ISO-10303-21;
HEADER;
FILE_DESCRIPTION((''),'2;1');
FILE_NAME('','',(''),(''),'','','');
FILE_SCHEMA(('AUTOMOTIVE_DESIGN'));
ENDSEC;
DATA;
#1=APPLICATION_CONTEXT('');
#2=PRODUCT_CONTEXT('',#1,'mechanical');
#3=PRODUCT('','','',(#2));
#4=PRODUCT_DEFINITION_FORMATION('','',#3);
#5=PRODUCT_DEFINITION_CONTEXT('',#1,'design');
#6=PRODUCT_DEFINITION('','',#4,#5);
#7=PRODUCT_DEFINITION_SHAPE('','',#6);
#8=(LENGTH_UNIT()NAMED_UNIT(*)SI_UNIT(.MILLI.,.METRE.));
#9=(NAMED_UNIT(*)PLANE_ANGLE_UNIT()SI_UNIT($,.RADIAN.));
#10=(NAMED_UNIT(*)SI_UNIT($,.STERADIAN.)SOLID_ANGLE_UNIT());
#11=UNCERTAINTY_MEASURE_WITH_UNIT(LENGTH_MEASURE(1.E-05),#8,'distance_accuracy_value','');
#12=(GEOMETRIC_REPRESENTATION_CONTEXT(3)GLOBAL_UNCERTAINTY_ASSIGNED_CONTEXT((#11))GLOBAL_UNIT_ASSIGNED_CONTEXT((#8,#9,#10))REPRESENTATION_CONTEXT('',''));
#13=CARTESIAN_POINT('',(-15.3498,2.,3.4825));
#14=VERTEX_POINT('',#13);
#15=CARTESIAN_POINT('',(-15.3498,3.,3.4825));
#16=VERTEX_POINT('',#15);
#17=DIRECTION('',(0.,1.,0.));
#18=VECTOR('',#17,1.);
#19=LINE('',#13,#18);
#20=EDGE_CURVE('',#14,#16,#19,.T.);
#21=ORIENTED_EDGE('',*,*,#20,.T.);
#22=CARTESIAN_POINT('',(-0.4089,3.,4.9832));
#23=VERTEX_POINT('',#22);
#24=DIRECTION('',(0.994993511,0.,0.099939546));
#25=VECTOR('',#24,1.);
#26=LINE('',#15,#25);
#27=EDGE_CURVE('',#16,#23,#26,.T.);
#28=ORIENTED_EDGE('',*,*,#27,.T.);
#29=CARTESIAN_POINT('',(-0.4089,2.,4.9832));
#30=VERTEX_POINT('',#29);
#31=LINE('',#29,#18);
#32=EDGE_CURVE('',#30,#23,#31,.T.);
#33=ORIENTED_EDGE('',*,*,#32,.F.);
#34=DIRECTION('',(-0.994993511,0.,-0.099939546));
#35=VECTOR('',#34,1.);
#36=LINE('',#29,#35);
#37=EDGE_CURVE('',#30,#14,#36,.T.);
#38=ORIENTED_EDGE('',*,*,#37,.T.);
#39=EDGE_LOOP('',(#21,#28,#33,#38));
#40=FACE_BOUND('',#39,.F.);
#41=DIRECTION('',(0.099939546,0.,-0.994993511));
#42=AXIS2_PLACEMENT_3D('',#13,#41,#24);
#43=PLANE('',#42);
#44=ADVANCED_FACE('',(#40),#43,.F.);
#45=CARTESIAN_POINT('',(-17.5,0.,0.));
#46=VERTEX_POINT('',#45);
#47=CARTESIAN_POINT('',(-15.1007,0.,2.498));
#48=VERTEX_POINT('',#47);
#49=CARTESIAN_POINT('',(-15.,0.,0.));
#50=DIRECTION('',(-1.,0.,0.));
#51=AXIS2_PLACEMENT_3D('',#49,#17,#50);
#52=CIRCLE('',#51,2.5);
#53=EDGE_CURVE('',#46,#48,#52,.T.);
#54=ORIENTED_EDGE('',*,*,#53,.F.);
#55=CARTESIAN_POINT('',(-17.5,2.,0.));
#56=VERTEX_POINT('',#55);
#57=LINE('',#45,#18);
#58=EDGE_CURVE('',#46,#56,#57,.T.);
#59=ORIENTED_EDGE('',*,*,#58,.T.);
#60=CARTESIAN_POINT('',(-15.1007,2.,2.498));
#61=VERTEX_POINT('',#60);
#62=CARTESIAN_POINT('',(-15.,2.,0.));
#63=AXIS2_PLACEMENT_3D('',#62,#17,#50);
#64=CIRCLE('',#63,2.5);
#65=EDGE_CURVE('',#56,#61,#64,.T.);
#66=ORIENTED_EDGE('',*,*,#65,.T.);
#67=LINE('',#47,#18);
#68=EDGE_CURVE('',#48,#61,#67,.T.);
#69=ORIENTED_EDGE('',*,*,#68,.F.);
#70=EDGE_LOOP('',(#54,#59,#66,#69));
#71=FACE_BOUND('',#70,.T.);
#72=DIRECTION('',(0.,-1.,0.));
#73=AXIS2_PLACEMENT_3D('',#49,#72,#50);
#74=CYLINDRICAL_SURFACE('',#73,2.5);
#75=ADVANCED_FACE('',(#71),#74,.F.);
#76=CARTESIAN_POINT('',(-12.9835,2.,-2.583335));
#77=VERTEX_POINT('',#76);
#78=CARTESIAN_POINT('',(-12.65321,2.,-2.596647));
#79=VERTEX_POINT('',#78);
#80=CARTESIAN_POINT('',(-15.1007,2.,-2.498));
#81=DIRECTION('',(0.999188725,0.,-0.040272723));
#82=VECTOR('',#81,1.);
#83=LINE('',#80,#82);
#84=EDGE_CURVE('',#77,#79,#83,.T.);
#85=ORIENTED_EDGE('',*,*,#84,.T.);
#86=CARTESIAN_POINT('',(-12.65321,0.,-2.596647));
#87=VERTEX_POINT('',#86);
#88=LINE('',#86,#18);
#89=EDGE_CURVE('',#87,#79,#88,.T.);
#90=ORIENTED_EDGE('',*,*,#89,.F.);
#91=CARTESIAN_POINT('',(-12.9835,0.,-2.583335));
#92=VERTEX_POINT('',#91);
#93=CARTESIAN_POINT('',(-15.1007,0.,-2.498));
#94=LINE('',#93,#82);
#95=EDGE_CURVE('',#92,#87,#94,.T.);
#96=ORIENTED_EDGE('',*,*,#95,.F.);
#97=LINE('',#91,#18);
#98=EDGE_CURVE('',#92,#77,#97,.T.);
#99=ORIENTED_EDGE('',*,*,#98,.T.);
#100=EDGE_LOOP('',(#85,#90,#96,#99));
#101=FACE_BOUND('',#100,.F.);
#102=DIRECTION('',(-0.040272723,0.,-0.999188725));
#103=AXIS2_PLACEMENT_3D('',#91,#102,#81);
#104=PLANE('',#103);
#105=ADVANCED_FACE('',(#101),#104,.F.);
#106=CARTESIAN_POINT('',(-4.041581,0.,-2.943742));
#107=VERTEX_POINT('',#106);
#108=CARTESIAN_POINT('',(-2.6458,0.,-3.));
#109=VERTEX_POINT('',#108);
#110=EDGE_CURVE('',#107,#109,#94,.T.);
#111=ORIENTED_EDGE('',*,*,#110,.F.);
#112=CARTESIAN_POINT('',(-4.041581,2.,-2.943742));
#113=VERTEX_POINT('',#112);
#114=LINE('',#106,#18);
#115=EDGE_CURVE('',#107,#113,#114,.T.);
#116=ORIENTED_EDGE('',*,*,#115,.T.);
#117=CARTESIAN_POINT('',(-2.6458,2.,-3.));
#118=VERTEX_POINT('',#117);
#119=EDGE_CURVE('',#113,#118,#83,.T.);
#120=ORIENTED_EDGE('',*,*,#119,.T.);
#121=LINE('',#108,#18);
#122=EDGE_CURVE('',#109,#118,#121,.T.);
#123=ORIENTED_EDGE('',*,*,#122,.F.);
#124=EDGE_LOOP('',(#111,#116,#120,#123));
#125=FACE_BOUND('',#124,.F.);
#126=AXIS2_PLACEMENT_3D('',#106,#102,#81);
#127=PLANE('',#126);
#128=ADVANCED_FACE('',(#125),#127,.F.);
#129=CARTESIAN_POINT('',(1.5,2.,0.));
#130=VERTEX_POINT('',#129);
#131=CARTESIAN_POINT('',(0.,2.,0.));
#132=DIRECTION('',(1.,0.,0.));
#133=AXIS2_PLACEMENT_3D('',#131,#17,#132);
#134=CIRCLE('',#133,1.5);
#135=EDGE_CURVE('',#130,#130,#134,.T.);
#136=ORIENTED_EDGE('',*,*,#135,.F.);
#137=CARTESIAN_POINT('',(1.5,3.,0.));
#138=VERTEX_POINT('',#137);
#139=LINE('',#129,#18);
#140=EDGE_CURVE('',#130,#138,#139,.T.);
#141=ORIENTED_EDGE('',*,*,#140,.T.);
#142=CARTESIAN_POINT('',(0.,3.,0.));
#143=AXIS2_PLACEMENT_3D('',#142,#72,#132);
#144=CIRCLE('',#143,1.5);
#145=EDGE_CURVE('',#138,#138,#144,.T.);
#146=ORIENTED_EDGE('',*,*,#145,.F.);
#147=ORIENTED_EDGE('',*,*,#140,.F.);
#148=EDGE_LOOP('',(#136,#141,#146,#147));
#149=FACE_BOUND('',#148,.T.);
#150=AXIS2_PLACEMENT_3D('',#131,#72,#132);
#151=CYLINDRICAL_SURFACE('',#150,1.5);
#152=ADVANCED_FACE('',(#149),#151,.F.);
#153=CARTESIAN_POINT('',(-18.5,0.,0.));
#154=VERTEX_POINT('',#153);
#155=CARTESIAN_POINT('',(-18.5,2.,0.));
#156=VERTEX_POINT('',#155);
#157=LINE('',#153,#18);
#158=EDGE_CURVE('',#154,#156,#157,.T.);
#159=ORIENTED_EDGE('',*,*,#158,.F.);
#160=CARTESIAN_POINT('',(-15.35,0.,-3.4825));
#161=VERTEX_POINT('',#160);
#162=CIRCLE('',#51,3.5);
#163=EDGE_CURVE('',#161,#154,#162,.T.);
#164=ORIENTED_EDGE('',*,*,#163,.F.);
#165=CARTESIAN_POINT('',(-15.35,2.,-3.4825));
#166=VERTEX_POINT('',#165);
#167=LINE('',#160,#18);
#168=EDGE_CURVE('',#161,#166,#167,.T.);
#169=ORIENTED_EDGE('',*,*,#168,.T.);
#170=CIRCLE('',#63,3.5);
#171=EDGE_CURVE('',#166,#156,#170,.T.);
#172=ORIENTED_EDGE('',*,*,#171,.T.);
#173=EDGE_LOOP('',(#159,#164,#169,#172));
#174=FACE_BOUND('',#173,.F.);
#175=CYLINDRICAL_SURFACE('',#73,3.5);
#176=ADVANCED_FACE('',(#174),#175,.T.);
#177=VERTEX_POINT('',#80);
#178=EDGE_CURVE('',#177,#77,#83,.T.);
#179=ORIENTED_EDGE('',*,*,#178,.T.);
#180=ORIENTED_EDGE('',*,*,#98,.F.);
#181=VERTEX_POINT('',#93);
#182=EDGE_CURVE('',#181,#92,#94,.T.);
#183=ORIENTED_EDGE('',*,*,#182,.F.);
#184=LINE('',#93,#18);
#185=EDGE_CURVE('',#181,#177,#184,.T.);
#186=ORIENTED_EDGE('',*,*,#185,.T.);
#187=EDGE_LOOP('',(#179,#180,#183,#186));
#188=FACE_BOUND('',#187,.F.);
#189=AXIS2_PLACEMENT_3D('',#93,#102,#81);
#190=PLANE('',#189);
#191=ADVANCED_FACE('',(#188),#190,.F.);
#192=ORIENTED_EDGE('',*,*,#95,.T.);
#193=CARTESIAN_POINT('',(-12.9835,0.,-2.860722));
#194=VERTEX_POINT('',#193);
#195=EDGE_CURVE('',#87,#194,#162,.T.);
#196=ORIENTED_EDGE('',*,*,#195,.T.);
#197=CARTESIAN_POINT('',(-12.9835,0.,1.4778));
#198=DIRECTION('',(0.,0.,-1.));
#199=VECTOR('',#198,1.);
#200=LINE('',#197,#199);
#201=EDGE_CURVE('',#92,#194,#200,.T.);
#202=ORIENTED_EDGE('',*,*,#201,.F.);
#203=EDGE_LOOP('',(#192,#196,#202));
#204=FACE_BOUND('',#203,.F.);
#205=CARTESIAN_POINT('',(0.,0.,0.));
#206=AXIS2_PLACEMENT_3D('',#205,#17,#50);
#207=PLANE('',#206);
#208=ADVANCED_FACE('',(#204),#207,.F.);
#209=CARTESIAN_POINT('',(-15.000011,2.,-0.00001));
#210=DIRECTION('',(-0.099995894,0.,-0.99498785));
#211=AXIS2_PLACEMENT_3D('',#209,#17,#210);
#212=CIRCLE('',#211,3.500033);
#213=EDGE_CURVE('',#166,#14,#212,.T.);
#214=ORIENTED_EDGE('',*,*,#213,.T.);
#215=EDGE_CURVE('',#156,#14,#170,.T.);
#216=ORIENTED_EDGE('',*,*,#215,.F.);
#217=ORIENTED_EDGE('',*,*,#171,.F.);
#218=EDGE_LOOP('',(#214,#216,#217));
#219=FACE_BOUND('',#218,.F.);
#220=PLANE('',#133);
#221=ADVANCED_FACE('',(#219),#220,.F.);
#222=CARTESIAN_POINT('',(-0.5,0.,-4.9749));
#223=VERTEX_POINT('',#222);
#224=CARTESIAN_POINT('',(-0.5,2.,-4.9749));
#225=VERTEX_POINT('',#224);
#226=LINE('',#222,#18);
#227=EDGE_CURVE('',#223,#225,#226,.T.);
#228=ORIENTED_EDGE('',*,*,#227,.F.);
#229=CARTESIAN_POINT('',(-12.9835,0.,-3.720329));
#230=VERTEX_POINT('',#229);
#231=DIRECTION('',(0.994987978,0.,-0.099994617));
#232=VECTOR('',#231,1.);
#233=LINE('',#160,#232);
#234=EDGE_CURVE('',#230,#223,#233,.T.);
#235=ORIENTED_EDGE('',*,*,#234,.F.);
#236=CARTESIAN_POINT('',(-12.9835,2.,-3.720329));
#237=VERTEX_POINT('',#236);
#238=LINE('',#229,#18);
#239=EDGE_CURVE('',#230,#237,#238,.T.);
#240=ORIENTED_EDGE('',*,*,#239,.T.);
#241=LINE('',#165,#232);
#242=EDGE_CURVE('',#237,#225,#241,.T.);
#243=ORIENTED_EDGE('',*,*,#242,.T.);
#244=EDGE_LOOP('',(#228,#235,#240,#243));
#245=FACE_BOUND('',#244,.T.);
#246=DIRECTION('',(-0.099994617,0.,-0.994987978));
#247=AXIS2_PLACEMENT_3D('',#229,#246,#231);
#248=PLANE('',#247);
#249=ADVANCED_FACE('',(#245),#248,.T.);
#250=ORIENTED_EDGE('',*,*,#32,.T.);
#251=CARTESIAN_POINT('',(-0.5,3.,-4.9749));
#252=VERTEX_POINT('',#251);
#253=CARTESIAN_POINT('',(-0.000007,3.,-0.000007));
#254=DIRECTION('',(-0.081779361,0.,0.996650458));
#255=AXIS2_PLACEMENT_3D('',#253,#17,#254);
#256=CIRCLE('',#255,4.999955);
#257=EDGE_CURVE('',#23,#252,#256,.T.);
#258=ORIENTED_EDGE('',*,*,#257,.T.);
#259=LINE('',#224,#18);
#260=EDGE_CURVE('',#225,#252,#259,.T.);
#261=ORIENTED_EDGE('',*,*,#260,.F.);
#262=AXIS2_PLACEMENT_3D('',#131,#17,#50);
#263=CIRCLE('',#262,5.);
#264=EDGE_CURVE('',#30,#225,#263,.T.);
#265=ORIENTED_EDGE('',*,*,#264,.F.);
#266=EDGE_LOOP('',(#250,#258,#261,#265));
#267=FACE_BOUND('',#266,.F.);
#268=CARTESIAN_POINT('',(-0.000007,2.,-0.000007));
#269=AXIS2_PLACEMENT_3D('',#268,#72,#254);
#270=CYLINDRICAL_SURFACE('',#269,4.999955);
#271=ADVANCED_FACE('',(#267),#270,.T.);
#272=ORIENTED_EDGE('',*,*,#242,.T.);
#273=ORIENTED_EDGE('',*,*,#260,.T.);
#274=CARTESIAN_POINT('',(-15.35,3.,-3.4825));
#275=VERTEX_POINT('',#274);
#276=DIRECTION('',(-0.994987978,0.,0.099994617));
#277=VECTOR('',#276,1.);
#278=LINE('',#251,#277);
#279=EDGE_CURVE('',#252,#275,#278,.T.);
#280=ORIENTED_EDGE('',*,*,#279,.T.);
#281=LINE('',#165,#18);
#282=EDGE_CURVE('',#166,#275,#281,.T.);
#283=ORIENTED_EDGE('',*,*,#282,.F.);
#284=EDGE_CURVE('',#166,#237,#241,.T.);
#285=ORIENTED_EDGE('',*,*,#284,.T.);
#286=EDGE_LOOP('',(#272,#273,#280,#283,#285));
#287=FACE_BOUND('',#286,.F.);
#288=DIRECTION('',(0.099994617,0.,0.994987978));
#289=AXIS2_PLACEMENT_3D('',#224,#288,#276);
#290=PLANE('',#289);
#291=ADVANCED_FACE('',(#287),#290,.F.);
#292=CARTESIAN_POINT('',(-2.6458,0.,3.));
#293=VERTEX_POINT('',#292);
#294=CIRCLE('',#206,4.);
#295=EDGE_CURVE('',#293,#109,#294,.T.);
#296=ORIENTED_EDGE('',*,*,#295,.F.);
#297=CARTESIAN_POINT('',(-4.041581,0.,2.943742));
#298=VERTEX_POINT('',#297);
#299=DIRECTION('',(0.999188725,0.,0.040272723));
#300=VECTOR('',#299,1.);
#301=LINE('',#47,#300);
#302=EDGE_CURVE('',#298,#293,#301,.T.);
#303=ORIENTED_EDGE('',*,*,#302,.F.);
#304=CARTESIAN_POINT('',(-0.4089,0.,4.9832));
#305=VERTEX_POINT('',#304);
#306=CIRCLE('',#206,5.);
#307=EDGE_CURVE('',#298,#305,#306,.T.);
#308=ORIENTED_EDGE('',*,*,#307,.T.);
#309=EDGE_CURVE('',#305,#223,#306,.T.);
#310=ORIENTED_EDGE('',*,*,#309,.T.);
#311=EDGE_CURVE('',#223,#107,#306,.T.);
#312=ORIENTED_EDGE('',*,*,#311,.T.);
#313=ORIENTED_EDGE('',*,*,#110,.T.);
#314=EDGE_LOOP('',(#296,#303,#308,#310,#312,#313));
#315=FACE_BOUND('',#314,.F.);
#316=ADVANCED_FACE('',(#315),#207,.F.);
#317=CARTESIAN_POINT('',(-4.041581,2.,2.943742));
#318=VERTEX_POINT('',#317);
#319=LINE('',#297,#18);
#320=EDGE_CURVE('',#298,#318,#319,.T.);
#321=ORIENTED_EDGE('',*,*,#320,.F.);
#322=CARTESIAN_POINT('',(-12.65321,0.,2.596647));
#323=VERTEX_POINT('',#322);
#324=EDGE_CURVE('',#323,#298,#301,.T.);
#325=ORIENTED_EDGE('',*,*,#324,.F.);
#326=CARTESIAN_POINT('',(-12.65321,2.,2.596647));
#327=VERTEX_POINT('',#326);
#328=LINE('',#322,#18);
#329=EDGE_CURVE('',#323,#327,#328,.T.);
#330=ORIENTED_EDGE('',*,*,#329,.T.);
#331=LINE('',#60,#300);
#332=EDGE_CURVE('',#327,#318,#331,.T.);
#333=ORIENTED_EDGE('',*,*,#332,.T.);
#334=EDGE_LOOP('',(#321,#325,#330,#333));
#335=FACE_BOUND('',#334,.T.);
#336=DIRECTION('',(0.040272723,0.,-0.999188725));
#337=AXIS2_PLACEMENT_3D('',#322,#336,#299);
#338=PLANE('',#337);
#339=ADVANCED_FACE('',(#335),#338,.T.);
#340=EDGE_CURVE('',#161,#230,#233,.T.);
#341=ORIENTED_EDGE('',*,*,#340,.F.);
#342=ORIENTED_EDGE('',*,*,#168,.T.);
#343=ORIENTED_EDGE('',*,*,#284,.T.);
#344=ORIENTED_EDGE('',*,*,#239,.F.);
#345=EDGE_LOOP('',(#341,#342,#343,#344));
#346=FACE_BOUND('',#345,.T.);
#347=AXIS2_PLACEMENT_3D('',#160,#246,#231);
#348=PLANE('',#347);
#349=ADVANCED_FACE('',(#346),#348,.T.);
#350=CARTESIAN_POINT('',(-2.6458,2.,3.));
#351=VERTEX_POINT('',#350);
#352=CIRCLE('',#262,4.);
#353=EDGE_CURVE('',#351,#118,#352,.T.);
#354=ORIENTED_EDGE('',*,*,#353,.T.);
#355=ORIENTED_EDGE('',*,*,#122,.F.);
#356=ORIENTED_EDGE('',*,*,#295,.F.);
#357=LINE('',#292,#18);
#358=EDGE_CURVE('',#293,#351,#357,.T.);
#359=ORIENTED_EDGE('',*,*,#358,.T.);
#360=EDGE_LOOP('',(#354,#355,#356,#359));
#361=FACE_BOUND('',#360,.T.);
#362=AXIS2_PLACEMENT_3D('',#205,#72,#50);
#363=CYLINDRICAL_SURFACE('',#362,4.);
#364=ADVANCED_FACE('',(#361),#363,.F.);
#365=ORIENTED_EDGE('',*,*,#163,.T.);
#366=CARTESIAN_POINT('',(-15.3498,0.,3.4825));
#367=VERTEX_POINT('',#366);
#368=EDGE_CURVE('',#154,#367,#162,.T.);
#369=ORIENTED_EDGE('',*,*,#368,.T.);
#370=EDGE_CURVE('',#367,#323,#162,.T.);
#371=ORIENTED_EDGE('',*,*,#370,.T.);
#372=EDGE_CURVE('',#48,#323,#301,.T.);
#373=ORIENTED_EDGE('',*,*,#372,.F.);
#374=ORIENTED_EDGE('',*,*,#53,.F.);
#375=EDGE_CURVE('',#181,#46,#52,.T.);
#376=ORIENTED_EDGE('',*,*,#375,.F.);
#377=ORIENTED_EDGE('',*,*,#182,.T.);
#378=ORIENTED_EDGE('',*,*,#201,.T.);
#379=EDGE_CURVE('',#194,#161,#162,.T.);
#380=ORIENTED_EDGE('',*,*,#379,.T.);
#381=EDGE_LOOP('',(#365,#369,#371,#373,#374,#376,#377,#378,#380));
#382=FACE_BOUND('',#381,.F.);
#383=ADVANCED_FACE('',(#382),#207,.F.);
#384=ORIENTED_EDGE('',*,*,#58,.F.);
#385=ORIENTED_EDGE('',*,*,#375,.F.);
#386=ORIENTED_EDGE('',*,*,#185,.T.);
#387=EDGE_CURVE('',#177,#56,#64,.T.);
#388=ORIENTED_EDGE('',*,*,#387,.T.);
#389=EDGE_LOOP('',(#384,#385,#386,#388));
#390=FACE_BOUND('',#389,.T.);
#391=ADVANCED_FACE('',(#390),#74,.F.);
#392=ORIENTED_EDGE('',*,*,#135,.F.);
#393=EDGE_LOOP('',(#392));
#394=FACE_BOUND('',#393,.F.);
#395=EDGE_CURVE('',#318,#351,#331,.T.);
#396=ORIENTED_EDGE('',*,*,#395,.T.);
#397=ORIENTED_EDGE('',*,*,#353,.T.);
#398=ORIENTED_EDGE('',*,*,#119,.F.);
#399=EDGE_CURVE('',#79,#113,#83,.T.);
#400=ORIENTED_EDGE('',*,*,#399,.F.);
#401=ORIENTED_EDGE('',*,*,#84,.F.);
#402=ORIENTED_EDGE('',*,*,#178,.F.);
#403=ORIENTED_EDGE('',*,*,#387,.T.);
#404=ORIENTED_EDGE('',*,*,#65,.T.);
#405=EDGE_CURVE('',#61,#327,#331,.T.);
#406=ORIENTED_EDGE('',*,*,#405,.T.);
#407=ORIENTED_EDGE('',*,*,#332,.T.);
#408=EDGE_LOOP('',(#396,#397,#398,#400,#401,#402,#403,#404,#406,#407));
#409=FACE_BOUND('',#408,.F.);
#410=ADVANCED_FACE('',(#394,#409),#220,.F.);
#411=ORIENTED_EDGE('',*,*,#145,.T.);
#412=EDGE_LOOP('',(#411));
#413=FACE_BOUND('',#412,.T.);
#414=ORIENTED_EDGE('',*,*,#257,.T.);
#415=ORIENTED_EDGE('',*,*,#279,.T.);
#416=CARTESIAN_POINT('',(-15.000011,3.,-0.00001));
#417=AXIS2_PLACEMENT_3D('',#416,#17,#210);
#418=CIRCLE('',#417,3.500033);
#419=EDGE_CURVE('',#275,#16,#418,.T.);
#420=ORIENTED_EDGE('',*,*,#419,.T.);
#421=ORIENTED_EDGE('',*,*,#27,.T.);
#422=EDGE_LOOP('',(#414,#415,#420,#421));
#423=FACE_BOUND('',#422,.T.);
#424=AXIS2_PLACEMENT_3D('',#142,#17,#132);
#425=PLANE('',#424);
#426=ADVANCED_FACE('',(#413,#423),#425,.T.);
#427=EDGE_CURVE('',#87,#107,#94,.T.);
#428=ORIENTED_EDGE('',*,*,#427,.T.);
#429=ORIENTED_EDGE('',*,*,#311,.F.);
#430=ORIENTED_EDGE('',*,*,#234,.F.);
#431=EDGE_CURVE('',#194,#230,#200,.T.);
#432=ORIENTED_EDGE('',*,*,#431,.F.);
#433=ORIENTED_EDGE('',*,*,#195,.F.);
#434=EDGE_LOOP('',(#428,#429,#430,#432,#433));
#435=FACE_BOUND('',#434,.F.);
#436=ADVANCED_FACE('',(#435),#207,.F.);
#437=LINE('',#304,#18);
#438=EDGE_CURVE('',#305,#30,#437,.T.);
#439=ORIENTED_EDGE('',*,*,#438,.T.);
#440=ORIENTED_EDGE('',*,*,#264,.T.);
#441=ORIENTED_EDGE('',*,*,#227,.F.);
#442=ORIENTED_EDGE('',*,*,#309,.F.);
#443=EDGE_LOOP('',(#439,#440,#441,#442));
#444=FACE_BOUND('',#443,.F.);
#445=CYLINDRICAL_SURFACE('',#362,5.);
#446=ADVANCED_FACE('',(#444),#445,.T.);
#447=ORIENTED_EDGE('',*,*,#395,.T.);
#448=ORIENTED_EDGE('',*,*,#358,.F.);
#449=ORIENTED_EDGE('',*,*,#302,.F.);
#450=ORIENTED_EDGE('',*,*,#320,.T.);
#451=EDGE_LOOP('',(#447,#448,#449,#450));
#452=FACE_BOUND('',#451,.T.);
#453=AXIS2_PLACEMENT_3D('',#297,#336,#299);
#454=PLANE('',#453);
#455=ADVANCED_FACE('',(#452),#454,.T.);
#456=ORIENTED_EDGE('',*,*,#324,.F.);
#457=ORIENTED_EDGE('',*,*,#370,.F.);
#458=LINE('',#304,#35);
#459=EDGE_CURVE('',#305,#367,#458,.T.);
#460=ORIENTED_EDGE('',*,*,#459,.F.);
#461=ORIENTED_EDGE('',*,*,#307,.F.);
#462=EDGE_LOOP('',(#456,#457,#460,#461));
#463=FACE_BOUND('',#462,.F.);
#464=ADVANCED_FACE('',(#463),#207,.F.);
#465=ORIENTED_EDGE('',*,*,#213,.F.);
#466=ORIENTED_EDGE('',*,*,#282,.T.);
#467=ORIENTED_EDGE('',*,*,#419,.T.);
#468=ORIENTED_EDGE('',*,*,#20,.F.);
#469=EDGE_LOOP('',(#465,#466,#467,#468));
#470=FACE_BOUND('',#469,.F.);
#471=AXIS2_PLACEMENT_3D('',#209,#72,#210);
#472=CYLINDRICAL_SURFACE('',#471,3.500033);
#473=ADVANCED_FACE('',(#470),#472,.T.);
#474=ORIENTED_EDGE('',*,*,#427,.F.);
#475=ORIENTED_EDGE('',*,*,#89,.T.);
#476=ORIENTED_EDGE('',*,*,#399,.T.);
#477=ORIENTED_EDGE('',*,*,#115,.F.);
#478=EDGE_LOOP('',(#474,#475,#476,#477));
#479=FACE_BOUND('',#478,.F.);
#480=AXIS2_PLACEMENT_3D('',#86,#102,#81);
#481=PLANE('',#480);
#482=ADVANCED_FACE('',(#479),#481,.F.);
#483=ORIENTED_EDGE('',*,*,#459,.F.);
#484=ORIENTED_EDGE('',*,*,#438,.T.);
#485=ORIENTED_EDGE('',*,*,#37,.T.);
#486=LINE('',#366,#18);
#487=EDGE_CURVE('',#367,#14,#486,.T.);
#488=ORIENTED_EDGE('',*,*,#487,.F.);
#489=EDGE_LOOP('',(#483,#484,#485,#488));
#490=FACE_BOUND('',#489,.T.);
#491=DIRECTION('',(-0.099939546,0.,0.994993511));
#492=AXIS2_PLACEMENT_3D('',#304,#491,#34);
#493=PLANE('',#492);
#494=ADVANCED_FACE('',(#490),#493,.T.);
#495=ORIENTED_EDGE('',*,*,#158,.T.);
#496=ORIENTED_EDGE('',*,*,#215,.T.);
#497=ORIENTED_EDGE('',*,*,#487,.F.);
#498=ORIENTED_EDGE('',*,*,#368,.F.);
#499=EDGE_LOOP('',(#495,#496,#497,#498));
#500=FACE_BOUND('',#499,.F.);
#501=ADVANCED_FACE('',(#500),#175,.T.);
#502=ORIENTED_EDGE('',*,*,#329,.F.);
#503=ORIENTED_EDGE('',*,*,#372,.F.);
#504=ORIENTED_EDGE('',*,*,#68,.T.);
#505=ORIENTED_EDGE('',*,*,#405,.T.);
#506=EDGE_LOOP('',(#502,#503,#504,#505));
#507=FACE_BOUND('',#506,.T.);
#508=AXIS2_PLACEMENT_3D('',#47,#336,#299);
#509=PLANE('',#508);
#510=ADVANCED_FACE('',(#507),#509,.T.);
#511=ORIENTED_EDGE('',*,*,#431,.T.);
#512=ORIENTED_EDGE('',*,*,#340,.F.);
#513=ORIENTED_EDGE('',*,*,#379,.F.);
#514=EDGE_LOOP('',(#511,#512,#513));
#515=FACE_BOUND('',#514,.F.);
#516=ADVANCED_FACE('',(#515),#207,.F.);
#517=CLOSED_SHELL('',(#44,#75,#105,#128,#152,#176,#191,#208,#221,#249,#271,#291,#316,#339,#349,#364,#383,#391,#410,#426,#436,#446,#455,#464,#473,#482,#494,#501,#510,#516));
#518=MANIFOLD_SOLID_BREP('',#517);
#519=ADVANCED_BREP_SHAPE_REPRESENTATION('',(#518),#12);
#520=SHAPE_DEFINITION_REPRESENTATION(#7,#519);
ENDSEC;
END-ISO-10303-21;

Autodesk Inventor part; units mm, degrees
ref_plane "YZ Plane" through (0, 0, 0) normal (1, 0, 0) x (0, 1, 0)
ref_plane "XZ Plane" through (0, 0, 0) normal (0, 1, 0) x (-1, 0, 0)
ref_plane "XY Plane" through (0, 0, 0) normal (0, 0, 1) x (1, 0, 0)
sketch "Skizze1" plane through (0, 0, 0) normal (0, 1, 0) x (-1, 0, 0)
  circle A0 centre (0, 0) radius 1.5
  circle A1 centre (0, 0) radius 4
  circle A2 centre (0, 0) radius 5
  line L0 (12.9835, 1.4778) -> (12.9835, -5)
  circle A3 centre (15, 0) radius 2.5
  line L1 (2.6458, 3) -> (2.6458, -3)
  line L2 (15.1007, -2.498) -> (2.6458, -3)
  line L3 (15.1007, 2.498) -> (2.6458, 3)
  circle A4 centre (15, 0) radius 3.5
  line L4 (15.35, -3.4825) -> (0.5, -4.9749)
  line L5 (0.4089, 4.9832) -> (15.3498, 3.4825)
  dimension "d0" = 3
  dimension "d1" = 8
  dimension "d2" = 10
  dimension "d3" = 5
  dimension "d4" = 2.5
  dimension "d5" = 0
  dimension "d6" = 7
  dimension "d12" = 15
extrude "Extrusion1" add sketch "Skizze1" along normal blind 2 contours A1 L2 A2 L3 | A2 L5 A4 L3 | L2 A4 L0 L4 A2 | A4 L0 L2 A3 L3 | L2 L0 A4 | L0 A4 L4 picked at (-0.1239, 4.641) picked at (13.9331, -2.779)
sketch "Skizze2" plane through (-0.4089, 0, 4.9832) normal (-0.0999, 0, 0.995) x (0.995, 0, 0.0999)
  point P0 (-0.0912, 0)
sketch "Skizze3" plane through (0, 2, 0) normal (0, 1, 0) x (1, 0, 0)
  line L0 (-15.3498, -3.4825) -> (-0.4089, -4.9832) projected
  arc A0 (-0.4089, -4.9832) -> (-0.5, 4.9749) centre (0, 0) ccw projected
  arc A1 (-0.4089, -4.9832) -> (-0.5, 4.9749) centre (0, 0) ccw
  arc A2 (-15.35, 3.4825) -> (-15.3498, -3.4825) centre (-15, 0) ccw projected
  arc A3 (-15.35, 3.4825) -> (-15.3498, -3.4825) centre (-15, 0) ccw
  line L1 (-15.3498, -3.4825) -> (-0.4089, -4.9832)
  line L2 (-0.4089, -4.9832) -> (-0.5, 4.9749)
  line L3 (-0.5, 4.9749) -> (-15.35, 3.4825) projected
  line L4 (-15.35, 3.4825) -> (-0.5, 4.9749)
  circle A4 centre (0, 0) radius 1.5
  dimension "d9" = 3
extrude "Extrusion2" add sketch "Skizze3" along normal blind 1 contours A2 L3 L2 A4 L0 | L2 A4 A0
equation "\"Biegeradius\" = Stärke"
equation "\"BreiteBiegungsfreistellung\" = Stärke"
equation "\"TiefeBiegungsfreistellung\" = 0.5 * Stärke"
equation "\"GrößeEckenfreistellung\" = 4 * Stärke"
equation "\"MinimalRest\" = 2 * Stärke"
equation "\"Übergangsradius\" = Biegeradius"
equation "\"JacobiRadiusGröße\" = Biegeradius"
equation "\"Abstandsgröße\" = Stärke"
equation "\"Stärke\" = 0.5"
properties part number "ServoAdapterB"
